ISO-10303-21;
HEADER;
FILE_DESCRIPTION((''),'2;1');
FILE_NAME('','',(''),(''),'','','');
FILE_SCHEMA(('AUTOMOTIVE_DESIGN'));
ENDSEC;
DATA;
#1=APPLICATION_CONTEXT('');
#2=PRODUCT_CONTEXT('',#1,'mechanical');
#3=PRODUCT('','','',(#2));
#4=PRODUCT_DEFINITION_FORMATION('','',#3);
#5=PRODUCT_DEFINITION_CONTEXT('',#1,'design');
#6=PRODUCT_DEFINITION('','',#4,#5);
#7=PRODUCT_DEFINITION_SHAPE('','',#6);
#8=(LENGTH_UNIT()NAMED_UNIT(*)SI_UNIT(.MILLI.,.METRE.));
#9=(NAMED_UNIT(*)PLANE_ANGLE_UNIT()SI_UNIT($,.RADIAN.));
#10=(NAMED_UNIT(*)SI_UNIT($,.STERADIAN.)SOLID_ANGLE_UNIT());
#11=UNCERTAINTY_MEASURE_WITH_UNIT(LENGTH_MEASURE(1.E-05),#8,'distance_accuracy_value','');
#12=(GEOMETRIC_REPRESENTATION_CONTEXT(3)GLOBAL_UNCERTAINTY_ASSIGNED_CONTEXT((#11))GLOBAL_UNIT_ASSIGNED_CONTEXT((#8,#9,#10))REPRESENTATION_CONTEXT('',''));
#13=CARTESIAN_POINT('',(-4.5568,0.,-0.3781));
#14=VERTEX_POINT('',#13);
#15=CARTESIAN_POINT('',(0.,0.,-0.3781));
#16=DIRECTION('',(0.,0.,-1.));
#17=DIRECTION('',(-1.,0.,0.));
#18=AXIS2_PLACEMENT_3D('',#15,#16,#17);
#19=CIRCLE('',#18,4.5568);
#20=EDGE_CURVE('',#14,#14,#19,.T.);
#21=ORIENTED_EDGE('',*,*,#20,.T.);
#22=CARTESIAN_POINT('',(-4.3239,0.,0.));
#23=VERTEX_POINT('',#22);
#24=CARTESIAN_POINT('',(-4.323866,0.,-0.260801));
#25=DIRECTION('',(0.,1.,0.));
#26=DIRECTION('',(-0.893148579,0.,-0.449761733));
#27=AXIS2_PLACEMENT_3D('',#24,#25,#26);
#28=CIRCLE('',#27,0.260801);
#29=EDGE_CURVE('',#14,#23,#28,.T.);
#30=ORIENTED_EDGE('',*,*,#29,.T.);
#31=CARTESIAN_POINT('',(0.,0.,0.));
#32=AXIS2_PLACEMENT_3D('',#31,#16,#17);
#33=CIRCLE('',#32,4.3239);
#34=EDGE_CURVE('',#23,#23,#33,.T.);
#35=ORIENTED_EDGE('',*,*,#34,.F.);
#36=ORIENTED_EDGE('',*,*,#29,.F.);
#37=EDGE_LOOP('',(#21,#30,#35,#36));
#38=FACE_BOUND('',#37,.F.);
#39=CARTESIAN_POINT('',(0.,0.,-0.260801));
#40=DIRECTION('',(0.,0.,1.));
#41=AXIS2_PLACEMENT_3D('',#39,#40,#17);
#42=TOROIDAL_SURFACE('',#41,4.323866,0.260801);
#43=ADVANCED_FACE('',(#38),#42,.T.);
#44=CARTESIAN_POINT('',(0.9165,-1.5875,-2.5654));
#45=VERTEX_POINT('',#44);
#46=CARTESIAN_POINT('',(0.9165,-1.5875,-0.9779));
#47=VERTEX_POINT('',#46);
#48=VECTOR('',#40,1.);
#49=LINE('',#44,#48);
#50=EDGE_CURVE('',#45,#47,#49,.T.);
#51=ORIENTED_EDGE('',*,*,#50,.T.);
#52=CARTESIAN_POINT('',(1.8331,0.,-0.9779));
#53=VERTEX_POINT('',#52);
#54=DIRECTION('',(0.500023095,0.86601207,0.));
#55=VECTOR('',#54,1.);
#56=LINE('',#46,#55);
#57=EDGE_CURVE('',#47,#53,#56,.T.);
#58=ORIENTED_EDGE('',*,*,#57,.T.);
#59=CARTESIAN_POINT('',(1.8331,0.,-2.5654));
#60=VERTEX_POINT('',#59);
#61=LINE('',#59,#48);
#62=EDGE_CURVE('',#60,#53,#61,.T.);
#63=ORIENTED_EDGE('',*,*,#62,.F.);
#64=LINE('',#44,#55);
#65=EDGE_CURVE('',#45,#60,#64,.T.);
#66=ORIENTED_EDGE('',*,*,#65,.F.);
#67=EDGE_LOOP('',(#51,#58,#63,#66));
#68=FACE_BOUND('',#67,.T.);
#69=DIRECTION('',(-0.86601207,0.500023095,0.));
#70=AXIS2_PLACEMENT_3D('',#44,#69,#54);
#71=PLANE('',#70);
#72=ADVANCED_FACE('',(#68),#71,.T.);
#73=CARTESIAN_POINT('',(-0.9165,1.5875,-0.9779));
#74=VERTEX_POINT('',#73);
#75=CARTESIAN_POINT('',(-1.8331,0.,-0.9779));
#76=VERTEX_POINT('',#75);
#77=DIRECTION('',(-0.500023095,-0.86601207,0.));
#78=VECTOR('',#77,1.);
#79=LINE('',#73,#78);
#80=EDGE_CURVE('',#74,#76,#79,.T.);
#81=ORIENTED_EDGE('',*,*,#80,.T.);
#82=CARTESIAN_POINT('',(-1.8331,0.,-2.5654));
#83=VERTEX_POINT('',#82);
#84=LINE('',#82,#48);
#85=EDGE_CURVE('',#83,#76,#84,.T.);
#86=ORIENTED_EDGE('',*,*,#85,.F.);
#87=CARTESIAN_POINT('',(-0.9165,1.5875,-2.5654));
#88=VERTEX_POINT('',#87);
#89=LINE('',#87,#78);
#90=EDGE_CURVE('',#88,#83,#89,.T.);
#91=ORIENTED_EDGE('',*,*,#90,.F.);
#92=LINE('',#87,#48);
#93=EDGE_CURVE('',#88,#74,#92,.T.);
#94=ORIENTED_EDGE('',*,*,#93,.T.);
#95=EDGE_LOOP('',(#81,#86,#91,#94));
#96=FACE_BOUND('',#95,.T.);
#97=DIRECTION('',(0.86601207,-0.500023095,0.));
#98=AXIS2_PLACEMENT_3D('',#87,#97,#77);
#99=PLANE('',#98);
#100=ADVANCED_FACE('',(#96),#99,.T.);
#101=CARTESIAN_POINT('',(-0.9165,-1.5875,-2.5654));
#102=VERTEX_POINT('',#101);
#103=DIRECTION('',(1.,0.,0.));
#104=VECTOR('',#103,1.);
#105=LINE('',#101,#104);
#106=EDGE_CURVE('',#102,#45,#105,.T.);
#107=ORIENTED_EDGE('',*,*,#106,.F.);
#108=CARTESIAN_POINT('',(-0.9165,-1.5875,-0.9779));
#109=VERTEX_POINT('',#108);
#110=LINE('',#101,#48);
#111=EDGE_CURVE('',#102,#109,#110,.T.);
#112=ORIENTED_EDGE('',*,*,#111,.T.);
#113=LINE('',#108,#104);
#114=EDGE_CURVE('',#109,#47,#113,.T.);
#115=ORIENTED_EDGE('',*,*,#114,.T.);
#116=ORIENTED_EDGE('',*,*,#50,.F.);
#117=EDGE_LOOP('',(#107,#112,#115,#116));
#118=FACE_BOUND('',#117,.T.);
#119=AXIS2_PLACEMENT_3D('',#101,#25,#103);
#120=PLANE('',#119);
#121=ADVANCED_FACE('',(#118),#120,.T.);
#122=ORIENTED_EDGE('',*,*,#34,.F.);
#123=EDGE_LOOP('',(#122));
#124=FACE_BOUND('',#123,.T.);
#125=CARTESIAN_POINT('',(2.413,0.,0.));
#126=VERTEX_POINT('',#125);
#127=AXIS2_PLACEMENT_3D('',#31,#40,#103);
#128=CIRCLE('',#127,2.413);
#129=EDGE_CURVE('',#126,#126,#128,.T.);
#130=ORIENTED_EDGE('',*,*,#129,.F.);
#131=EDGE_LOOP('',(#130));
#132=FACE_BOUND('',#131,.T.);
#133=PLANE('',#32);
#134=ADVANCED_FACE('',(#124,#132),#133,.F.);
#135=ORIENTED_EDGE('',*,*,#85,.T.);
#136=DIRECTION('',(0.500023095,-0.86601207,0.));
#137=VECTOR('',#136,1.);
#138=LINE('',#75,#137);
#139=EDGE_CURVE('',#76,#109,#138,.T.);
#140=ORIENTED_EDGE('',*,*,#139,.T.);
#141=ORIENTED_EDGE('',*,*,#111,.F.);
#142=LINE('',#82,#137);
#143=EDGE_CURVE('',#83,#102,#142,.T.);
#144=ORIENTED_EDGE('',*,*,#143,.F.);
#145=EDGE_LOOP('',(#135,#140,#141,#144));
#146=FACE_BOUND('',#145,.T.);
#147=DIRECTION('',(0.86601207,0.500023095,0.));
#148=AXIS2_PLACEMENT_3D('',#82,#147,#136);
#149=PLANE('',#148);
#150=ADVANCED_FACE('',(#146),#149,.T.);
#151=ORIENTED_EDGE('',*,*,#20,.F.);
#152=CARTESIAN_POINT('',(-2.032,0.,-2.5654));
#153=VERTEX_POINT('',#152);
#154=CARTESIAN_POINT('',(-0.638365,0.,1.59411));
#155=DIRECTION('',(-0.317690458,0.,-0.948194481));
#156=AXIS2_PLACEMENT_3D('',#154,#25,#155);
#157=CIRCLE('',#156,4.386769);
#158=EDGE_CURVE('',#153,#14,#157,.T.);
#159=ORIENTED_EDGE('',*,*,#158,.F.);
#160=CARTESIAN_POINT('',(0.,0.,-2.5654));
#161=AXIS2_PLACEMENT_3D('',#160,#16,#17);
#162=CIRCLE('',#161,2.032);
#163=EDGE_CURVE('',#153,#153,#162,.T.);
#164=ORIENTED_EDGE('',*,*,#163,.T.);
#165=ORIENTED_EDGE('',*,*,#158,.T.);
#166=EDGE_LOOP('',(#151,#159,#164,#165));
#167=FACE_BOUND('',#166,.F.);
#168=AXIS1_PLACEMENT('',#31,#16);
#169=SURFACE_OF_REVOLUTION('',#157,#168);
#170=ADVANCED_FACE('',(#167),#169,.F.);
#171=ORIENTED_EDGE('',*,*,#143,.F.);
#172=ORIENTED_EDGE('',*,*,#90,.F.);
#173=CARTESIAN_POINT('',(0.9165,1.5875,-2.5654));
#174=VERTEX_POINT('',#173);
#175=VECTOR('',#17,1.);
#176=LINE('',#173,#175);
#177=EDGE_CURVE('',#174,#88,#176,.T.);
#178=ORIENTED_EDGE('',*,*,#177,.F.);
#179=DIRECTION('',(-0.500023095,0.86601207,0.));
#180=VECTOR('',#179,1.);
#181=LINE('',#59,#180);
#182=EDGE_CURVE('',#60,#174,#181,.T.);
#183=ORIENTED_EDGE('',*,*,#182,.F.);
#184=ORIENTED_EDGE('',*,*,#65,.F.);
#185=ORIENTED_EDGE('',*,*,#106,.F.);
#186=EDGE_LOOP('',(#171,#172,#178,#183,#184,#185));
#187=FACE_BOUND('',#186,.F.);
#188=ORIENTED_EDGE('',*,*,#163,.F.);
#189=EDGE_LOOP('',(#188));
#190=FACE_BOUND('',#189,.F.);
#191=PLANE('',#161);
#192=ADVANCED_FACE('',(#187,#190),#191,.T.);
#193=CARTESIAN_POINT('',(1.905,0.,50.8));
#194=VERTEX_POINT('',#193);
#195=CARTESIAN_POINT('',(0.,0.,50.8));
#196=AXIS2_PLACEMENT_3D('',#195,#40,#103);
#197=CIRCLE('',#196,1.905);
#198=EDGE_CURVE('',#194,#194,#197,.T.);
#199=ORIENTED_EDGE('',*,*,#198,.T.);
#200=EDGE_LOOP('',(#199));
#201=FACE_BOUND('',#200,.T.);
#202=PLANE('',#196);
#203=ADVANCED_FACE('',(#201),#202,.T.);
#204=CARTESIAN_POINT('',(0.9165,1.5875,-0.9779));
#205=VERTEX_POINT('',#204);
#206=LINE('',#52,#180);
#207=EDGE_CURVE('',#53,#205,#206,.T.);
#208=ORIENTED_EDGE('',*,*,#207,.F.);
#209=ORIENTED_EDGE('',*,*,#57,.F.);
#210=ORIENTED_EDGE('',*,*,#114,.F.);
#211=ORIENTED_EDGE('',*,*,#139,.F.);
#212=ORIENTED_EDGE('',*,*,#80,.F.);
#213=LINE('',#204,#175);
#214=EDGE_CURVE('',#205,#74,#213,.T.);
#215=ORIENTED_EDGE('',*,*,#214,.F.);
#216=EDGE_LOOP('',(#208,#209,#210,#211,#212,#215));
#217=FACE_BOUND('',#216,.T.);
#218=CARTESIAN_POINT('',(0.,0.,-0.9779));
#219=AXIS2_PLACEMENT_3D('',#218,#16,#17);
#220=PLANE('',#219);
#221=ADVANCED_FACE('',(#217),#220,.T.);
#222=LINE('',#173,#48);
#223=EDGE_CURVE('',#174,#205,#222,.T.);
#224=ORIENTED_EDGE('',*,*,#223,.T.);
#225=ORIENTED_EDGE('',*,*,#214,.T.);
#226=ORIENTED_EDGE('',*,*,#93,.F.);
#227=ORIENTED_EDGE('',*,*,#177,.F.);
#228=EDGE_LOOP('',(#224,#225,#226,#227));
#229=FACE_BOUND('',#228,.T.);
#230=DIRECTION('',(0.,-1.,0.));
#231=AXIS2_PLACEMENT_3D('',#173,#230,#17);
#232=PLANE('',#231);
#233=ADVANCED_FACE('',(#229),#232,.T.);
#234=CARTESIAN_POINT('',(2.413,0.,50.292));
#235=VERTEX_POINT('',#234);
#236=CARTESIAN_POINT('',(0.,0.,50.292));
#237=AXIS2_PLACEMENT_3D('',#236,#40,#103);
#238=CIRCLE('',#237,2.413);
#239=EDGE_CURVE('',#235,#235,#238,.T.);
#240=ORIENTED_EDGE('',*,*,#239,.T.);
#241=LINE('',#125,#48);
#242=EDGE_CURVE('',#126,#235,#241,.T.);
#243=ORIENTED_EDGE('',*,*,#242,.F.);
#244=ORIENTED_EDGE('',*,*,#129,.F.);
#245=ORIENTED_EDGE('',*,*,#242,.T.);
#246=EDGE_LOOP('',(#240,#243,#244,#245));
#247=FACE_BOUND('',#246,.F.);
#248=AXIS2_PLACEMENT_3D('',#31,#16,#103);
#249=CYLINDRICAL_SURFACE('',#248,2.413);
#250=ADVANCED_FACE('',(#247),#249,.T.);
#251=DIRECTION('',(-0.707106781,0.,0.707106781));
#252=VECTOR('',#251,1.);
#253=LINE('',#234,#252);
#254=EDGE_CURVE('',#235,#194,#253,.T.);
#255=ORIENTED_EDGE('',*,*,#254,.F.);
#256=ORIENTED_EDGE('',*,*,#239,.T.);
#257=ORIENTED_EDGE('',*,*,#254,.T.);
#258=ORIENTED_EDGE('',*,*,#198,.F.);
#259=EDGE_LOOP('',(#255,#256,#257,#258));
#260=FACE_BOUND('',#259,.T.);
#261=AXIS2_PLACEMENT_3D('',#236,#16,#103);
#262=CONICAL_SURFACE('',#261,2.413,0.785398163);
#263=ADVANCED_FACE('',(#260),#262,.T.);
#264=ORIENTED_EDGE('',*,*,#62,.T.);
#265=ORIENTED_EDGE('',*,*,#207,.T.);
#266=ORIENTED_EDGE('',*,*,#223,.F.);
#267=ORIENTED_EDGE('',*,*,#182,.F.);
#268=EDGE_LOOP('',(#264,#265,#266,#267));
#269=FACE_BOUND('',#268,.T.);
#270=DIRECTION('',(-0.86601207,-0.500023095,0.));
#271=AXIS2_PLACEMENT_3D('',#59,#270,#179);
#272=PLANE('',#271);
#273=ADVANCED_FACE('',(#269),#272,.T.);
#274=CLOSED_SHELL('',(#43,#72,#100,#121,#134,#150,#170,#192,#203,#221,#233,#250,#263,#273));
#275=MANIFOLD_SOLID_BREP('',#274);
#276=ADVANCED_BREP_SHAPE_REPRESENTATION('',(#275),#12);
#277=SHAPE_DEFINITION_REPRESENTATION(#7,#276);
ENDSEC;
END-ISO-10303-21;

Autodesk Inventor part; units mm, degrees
ref_plane "YZ Plane" through (0, 0, 0) normal (1, 0, 0) x (0, 1, 0)
ref_plane "XZ Plane" through (0, 0, 0) normal (0, 1, 0) x (-1, 0, 0)
ref_plane "XY Plane" through (0, 0, 0) normal (0, 0, 1) x (1, 0, 0)
sketch "Sketch1" plane through (0, 0, 0) normal (0, 0, 1) x (1, 0, 0)
  circle A0 centre (0, 0) radius 2.413
  dimension "d0" = 4.826
extrude "Extrusion1" add sketch "Sketch1" along normal blind 50.8
sketch "Sketch2" plane through (0, 0, 0) normal (0, 1, 0) x (-1, 0, 0)
  line L0 (0, 0) -> (0, -2.5654)
  line L1 (0, 0) -> (4.3239, 0)
  line L2 (0, -2.5654) -> (2.032, -2.5654)
  line L3 (4.3239, 0) -> (4.3239, 3.8864) construction
  arc A0 (4.5568, -0.3781) -> (4.3239, 0) centre (4.3239, -0.2608) ccw
  arc A1 (2.032, -2.5654) -> (4.5568, -0.3781) centre (0.6382, 1.5944) ccw
  line L4 (4.5847, 0.6553) -> (4.5847, -0.2608) construction
  dimension "d3" = 2.5654
  dimension "d6" = 2.032
  dimension "d12" = 4.5847
revolve "Revolution1" add sketch "Sketch2" angle 360 about axis through (0, 0, 0) along (0, 0, -1)
sketch "Sketch3" plane through (0, 0, -2.5654) normal (0, 0, -1) x (-1, 0, 0)
  circle A0 centre (0, 0) radius 2.032 projected
  line L0 (-0.9165, 1.5875) -> (0.9165, 1.5875)
  line L1 (0.9165, 1.5875) -> (1.8331, 0)
  line L2 (1.8331, 0) -> (0.9165, -1.5875)
  line L3 (0.9165, -1.5875) -> (-0.9165, -1.5875)
  line L4 (-0.9165, -1.5875) -> (-1.8331, 0)
  line L5 (-1.8331, 0) -> (-0.9165, 1.5875)
  dimension "d8" = 3.175
extrude "Extrusion2" cut sketch "Sketch3" against normal blind 1.5875 contours L0 L1 L2 L3 L4 L5
chamfer "Chamfer1" distance 0.508 angle 45 1 edges at (-2.413, 0, 50.8)
thread "Thread2" size "10-24 UNC" class "2A" standard "ANSI Unified Screw Threads" length 22.225
properties part number "10-32 x625 button head" material "Steel"
